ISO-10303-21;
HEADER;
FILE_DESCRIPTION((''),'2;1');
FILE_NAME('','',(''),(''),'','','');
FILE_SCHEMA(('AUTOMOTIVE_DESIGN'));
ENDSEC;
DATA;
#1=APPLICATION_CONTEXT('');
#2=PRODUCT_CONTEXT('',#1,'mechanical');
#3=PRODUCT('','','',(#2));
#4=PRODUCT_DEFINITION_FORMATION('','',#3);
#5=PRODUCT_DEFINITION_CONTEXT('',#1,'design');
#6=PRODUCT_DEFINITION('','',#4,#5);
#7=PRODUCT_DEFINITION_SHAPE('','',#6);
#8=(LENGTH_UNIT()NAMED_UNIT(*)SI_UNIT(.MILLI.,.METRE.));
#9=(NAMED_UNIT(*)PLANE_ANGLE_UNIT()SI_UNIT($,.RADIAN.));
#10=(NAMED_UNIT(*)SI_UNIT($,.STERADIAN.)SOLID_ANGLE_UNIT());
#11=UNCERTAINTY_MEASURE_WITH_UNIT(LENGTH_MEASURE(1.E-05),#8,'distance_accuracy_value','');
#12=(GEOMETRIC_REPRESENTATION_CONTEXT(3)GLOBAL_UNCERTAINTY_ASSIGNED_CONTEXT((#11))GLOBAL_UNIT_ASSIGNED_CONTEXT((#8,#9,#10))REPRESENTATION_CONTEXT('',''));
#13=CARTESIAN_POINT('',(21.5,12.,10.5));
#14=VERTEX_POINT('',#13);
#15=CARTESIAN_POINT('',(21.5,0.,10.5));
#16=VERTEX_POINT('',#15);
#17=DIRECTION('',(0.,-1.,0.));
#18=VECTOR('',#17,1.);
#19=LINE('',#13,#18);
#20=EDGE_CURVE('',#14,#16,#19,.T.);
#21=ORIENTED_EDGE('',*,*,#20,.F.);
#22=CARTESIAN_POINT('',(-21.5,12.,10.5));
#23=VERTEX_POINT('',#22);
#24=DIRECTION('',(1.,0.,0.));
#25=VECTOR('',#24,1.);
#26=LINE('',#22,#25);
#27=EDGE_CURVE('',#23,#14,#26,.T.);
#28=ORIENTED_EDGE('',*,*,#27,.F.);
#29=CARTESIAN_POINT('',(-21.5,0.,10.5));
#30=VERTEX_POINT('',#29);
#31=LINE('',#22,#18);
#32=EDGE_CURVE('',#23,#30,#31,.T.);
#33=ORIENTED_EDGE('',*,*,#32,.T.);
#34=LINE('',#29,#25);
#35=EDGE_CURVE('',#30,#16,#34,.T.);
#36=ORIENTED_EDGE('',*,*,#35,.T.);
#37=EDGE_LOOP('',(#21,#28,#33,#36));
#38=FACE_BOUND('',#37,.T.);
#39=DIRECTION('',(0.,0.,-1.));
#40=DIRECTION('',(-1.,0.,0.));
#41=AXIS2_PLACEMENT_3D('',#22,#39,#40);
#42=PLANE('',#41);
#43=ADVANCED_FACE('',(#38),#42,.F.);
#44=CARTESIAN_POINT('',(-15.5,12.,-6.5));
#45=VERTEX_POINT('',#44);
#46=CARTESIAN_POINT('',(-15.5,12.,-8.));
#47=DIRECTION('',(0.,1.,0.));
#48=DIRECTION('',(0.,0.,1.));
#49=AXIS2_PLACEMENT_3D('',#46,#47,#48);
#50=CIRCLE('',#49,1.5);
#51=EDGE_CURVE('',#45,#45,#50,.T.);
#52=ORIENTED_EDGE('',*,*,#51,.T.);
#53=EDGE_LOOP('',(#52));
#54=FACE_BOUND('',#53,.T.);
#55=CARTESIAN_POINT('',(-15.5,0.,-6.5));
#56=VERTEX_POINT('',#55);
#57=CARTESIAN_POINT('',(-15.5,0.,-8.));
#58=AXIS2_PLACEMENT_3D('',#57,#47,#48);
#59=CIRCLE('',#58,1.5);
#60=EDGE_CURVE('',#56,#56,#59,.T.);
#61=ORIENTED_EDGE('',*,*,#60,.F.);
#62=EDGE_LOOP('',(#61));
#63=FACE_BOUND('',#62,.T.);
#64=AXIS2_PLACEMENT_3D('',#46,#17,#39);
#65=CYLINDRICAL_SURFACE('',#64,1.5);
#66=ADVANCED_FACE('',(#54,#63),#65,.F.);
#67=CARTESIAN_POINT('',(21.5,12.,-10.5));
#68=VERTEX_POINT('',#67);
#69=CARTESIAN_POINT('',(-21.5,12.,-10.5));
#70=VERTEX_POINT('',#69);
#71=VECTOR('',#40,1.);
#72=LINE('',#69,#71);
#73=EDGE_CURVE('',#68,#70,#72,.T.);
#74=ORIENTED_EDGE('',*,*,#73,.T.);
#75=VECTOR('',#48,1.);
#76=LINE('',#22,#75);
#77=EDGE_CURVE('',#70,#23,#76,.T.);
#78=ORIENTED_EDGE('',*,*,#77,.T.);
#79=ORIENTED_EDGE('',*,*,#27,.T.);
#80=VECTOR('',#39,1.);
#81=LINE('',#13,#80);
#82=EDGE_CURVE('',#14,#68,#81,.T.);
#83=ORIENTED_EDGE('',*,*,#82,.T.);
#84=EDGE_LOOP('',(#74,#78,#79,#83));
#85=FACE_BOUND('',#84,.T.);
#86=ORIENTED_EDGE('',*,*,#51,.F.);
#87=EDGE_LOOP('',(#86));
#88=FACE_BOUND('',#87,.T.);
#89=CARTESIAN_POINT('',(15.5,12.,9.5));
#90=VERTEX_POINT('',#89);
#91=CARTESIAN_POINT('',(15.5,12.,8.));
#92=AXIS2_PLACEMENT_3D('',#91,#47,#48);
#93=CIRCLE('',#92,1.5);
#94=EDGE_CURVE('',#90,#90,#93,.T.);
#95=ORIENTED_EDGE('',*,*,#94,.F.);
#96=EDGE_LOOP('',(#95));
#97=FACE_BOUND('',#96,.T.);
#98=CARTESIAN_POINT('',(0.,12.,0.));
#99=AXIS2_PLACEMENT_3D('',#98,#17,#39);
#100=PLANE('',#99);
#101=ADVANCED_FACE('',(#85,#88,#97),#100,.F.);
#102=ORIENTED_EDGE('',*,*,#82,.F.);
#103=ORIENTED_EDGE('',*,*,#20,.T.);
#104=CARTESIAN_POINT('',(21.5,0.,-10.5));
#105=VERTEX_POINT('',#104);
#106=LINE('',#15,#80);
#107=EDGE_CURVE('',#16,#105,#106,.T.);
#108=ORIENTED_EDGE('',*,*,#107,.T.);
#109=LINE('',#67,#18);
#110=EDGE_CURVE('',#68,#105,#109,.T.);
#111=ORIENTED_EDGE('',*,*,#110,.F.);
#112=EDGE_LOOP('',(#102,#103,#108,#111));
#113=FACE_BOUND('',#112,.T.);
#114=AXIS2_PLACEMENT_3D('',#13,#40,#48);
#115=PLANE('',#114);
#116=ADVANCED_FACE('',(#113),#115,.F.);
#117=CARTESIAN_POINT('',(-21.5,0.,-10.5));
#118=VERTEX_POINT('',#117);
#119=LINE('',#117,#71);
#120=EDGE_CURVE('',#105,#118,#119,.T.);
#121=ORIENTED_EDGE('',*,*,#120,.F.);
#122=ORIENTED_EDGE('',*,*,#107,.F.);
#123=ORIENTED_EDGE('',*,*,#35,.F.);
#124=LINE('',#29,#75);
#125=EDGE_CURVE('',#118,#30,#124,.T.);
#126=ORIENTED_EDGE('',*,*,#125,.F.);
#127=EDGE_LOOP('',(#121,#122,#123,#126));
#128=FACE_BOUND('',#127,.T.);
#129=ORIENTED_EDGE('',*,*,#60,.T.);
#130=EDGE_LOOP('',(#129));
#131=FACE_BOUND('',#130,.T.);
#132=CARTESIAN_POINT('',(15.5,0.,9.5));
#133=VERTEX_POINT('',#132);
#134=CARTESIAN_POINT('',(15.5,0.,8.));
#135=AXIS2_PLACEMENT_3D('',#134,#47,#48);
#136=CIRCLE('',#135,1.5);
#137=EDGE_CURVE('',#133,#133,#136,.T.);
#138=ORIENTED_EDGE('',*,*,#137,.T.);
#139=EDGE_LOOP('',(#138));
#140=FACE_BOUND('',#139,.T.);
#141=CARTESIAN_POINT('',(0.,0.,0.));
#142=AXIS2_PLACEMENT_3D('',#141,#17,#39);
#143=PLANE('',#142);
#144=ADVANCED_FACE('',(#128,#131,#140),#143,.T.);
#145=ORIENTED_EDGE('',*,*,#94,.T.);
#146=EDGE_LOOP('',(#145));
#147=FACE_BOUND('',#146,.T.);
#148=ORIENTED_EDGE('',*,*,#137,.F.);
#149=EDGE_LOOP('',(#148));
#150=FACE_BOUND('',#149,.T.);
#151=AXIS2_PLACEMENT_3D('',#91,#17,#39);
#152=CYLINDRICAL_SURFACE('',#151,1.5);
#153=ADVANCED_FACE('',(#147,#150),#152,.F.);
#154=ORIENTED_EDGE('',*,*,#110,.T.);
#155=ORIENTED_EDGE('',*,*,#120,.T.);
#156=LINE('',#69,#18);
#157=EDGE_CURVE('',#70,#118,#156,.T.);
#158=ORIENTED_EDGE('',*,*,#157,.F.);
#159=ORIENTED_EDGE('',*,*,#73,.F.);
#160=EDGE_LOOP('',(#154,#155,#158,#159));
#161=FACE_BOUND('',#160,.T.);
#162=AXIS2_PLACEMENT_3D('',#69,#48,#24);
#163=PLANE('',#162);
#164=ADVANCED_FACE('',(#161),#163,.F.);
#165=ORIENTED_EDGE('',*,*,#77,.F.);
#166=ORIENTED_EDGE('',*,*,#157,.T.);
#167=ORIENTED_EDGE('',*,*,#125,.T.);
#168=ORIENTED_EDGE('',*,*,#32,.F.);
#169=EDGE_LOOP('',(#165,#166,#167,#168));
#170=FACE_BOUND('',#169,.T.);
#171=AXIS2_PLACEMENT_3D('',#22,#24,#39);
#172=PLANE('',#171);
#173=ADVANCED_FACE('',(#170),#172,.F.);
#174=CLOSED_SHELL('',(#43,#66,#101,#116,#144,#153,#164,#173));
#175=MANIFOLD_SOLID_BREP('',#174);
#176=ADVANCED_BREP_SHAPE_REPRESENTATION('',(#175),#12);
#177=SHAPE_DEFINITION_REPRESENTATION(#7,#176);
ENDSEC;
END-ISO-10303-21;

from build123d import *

# Parameters (mm, degrees)
SKETCH_1_W      = 43
SKETCH_1_H      = 21
SKETCH_1_R      = 1.5
EXTRUDE_1_DEPTH = 12


with BuildPart() as part:
    # 草圖1 → 填料-伸長1 (new body)
    with BuildSketch(Plane(origin=(0, 0, 0), x_dir=(1, 0, 0), z_dir=(0, 1, 0))):
        Rectangle(SKETCH_1_W, SKETCH_1_H)
        with Locations(Location((-15.5, 8, 0), (0, 0, 270))):
            Circle(SKETCH_1_R, mode=Mode.SUBTRACT)
        with Locations(Location((15.5, -8, 0), (0, 0, 270))):
            Circle(SKETCH_1_R, mode=Mode.SUBTRACT)
    extrude(amount=EXTRUDE_1_DEPTH)


solid = part.part
